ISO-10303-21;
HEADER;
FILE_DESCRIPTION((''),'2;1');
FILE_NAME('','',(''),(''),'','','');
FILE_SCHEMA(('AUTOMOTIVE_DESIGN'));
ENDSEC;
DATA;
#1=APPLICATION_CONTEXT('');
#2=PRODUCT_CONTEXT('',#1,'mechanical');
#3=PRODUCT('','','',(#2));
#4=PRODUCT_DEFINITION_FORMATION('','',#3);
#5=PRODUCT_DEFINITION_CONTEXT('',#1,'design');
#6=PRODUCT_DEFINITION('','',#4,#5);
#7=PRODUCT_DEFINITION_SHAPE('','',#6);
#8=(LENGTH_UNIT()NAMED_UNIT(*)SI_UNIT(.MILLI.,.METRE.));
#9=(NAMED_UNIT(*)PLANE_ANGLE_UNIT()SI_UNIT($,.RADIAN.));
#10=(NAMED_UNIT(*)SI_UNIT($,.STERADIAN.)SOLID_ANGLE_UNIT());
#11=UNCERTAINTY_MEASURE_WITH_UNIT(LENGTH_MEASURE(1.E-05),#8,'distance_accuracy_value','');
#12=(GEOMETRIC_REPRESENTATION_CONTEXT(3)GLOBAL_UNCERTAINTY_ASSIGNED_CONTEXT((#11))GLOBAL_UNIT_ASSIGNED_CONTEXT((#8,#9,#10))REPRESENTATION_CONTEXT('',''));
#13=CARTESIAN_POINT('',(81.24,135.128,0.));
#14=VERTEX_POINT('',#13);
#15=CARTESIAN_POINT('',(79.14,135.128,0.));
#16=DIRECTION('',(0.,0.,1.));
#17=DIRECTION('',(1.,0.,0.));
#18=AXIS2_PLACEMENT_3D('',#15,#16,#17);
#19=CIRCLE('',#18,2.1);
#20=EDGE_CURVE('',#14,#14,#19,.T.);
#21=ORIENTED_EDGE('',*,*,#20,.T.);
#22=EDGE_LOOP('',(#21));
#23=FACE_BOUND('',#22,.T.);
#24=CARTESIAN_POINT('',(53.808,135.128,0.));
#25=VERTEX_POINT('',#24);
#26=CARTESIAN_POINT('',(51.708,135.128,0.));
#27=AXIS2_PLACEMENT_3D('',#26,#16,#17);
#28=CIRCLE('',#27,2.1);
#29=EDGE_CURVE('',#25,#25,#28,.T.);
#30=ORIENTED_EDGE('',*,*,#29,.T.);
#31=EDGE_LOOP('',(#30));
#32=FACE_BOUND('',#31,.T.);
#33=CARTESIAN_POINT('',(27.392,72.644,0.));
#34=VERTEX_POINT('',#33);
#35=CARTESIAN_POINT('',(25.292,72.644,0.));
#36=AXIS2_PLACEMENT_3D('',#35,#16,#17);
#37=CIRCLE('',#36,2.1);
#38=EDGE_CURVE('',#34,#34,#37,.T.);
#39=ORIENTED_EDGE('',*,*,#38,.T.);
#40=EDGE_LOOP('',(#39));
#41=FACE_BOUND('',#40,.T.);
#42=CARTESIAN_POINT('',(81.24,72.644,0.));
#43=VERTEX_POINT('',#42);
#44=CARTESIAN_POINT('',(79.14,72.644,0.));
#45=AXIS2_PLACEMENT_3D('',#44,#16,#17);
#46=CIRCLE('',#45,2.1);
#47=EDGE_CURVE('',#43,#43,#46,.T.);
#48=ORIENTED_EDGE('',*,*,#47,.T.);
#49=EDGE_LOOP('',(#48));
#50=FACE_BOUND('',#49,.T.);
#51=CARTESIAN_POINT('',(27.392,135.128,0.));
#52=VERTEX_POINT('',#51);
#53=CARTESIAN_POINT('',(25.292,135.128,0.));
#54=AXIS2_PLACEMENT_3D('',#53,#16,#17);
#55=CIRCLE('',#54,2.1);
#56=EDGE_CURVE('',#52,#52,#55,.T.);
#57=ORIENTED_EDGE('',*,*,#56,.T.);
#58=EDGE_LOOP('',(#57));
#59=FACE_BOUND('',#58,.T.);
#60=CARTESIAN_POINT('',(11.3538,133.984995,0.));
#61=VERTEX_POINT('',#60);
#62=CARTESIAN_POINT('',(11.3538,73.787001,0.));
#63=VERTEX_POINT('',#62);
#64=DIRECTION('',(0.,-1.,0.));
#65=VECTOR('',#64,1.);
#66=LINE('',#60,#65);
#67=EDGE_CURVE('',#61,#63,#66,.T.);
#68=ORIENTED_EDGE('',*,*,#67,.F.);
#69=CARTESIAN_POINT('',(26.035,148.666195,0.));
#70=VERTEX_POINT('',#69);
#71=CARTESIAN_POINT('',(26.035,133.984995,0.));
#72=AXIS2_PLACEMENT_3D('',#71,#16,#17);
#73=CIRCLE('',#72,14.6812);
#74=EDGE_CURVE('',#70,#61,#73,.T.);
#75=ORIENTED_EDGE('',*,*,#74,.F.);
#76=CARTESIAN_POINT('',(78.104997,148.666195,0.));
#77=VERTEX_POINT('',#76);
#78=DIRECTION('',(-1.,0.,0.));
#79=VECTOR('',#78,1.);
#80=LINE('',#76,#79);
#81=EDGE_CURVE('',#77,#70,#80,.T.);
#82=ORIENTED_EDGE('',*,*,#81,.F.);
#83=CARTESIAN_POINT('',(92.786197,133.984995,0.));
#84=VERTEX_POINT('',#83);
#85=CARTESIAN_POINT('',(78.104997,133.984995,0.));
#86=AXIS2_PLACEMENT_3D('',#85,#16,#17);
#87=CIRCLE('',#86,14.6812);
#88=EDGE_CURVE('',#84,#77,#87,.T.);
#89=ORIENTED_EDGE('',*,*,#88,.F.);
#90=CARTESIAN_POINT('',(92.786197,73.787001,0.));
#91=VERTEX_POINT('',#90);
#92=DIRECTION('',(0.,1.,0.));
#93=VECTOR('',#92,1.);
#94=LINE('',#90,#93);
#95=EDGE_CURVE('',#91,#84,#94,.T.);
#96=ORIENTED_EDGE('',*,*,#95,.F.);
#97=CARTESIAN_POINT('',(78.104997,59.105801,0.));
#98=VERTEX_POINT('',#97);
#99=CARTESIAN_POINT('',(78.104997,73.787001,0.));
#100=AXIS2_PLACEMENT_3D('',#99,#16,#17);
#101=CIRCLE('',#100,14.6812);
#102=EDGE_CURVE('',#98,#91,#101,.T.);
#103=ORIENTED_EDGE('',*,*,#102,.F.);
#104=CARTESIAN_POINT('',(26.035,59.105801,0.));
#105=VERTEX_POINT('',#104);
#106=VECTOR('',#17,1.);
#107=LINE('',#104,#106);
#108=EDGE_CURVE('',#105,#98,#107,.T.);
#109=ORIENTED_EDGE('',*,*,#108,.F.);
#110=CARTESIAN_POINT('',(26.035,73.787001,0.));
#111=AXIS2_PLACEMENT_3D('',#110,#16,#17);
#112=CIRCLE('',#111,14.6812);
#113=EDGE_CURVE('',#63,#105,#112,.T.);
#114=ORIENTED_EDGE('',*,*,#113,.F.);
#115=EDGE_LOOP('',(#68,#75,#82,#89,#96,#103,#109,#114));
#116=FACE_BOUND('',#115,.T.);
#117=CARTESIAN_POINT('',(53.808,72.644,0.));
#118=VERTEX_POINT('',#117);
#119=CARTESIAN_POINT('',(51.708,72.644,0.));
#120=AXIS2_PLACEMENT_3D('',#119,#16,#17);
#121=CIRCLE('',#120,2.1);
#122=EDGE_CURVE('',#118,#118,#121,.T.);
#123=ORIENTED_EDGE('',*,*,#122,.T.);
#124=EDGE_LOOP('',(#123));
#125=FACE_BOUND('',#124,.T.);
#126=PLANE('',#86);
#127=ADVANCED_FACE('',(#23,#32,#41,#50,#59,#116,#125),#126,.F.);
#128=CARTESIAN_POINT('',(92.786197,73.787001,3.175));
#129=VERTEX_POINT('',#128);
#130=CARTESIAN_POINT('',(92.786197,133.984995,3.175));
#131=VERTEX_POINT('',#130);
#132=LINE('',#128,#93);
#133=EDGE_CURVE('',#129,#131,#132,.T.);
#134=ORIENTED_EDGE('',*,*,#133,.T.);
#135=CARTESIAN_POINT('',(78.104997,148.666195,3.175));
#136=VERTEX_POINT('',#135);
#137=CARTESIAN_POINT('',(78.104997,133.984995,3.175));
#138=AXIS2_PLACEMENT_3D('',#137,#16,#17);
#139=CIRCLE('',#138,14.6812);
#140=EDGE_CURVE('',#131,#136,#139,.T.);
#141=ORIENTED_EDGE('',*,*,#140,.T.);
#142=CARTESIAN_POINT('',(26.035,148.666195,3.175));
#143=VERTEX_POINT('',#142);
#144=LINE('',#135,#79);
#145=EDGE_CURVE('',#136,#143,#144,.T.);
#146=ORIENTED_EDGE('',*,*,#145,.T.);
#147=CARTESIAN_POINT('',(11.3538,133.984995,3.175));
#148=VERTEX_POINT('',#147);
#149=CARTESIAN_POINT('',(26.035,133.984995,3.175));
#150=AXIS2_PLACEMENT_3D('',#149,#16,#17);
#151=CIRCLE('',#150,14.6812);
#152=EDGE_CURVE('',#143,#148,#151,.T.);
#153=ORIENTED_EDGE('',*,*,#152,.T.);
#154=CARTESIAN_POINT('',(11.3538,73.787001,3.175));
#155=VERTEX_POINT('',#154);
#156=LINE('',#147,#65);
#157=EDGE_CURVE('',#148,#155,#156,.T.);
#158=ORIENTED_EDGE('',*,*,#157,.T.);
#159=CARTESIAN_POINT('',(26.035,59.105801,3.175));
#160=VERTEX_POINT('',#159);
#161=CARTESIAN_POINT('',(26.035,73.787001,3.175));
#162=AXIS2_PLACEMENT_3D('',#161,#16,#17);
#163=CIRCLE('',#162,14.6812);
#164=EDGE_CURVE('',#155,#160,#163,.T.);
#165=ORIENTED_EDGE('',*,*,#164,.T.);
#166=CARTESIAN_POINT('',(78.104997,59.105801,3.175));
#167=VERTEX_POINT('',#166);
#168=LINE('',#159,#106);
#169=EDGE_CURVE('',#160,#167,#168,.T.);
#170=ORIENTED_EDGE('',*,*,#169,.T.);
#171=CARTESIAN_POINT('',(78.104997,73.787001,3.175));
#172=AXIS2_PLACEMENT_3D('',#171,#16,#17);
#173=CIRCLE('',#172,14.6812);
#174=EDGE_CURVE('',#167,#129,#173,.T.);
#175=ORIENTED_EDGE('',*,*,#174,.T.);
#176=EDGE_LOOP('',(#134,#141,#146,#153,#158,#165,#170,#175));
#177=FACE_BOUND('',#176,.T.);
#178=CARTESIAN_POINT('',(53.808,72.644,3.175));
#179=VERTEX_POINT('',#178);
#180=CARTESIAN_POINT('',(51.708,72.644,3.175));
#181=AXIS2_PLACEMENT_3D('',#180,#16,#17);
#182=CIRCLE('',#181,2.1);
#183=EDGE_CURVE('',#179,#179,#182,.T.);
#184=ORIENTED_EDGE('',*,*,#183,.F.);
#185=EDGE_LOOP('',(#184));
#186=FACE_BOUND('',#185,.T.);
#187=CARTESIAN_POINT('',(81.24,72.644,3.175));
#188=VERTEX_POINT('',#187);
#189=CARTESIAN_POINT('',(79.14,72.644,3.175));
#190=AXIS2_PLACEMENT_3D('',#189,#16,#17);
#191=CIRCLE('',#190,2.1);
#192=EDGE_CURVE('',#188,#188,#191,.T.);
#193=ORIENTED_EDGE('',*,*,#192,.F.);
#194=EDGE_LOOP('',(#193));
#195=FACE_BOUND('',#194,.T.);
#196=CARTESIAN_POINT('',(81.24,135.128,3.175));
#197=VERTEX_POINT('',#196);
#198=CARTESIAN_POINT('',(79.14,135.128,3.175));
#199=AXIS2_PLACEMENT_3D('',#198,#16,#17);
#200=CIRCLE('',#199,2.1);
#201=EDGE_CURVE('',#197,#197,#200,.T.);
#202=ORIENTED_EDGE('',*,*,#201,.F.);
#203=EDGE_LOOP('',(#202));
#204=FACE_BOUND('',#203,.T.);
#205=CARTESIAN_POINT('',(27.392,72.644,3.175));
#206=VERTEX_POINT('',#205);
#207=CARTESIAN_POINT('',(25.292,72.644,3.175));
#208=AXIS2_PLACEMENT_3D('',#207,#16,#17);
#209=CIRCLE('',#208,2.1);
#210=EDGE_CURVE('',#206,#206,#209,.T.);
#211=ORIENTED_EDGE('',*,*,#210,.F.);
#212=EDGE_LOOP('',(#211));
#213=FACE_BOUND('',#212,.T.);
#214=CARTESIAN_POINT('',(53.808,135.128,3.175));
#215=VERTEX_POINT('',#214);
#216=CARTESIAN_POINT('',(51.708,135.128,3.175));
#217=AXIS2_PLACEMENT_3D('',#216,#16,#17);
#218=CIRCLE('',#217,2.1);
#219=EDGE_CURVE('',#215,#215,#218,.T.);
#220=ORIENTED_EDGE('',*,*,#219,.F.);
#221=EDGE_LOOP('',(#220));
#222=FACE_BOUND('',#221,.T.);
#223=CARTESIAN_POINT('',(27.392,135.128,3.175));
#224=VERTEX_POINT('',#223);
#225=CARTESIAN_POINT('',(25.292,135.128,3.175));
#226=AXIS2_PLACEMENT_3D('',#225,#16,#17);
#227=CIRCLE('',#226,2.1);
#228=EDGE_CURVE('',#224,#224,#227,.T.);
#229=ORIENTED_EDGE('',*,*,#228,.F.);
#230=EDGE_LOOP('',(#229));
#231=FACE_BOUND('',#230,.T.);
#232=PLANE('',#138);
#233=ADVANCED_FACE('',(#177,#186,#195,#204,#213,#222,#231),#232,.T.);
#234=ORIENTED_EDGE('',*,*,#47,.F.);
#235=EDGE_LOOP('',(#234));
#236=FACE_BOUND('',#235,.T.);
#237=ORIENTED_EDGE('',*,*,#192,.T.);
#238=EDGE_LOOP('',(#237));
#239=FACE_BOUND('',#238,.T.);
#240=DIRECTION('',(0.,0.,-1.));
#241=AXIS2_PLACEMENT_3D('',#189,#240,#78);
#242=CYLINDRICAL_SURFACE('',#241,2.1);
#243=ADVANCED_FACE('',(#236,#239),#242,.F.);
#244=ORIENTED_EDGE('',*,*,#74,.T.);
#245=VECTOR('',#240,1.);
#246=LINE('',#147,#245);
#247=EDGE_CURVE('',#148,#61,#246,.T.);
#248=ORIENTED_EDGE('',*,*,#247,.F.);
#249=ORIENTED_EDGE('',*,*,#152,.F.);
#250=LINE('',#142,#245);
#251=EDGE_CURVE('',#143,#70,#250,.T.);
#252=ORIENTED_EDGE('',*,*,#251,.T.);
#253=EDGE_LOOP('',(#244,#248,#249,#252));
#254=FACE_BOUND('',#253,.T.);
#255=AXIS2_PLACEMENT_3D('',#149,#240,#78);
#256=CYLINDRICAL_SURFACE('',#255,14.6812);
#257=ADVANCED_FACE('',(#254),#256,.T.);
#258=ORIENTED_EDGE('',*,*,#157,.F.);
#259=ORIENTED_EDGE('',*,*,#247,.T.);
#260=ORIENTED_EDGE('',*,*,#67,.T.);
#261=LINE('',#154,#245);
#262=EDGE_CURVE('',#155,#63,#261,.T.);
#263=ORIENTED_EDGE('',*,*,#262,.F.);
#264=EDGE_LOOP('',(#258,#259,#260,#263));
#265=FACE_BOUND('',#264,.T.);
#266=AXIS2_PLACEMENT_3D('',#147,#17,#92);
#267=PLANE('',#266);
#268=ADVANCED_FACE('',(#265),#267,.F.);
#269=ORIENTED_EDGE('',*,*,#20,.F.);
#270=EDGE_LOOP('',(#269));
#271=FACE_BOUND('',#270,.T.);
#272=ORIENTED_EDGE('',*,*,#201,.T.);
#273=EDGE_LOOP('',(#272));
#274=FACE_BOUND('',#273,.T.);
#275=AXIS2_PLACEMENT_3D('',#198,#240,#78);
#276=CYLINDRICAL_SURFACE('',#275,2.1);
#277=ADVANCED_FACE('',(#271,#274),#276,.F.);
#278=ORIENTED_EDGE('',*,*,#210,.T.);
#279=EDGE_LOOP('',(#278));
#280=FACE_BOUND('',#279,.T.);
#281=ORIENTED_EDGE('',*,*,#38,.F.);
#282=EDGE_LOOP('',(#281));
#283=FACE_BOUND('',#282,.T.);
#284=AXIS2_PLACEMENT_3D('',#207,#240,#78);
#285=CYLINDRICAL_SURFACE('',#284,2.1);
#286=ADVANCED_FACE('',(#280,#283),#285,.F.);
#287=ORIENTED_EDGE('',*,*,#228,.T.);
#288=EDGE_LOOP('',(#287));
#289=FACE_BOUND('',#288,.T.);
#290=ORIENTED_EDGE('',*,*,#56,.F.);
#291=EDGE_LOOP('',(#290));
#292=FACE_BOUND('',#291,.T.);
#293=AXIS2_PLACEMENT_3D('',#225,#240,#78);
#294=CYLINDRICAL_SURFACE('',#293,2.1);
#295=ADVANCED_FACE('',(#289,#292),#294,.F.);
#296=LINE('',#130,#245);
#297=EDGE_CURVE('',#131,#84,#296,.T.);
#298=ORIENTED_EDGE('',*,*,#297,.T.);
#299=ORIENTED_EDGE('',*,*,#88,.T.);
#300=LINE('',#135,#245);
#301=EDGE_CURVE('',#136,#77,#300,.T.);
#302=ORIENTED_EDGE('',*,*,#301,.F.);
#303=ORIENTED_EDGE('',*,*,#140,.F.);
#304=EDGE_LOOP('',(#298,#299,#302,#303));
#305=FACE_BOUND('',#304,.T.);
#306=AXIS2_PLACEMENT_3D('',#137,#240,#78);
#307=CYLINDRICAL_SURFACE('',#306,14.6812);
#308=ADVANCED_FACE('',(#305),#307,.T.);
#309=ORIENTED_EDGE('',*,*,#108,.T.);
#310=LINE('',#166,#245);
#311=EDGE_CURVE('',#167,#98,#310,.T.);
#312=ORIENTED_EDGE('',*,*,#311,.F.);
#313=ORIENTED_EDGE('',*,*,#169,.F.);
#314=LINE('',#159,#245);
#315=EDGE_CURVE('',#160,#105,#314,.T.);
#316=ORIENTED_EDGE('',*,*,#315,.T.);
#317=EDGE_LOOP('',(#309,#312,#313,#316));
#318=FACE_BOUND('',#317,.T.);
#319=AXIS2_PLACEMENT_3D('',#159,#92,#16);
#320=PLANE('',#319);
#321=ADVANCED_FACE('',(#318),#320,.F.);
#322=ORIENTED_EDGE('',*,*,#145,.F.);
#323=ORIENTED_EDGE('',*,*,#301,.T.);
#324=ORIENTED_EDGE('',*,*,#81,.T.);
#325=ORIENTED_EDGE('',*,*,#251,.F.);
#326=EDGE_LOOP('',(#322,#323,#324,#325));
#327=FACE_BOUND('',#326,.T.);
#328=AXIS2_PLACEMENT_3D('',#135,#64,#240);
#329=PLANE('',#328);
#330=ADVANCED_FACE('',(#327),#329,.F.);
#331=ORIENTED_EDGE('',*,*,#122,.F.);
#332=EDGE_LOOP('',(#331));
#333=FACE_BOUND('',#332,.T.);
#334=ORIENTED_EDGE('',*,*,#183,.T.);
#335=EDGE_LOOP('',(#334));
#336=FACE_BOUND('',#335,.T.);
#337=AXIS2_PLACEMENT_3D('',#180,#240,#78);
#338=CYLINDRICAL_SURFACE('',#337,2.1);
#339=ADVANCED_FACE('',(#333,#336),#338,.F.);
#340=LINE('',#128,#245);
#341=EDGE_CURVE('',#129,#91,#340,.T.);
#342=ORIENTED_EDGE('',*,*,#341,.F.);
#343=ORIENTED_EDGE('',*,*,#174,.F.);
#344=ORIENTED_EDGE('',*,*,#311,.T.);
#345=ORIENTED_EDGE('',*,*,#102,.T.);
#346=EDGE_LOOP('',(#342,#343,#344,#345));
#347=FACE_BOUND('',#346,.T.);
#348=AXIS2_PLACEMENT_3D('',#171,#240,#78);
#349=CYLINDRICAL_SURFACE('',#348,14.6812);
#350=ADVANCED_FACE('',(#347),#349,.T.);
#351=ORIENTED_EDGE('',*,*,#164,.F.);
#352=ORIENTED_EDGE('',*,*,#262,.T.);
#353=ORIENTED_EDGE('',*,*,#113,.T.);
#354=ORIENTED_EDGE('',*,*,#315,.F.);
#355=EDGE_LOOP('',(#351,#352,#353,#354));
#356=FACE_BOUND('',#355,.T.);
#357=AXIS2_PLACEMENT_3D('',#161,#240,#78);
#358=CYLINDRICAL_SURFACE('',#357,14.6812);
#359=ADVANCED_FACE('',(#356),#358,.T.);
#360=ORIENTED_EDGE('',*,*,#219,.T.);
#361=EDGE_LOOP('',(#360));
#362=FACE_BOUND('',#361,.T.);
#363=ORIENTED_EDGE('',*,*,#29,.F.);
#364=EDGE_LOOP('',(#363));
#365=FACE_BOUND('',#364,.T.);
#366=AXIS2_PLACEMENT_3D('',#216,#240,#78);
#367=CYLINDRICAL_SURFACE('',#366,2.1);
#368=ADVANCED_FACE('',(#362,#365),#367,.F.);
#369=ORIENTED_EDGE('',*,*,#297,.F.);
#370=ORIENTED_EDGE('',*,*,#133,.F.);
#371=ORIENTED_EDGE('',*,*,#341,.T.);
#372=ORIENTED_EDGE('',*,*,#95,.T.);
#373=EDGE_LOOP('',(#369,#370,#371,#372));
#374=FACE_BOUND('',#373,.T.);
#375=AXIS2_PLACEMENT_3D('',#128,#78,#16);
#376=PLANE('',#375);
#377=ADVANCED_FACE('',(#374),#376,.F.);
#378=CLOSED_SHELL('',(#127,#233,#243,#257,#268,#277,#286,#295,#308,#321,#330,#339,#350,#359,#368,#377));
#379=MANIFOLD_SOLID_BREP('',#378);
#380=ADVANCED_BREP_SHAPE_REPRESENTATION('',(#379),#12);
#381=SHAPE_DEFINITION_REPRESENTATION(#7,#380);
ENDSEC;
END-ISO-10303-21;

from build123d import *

# Parameters (mm, degrees)
SKETCH1_R           = 2.1
BOSS_EXTRUDE1_DEPTH = 3.175


with BuildPart() as part:
    # Sketch1 → Boss-Extrude1 (new body)
    with BuildSketch(Plane.XY):
        with BuildLine():
            Line((11.353799985, 133.984994751), (11.353799985, 73.787000793))
            ThreePointArc((11.353799985, 73.787000793), (15.653823909, 63.405824718), (26.034999985, 59.105800793))
            Line((26.034999985, 59.105800793), (78.104997498, 59.105800793))
            ThreePointArc((78.104997498, 59.105800793), (88.486173574, 63.405824718), (92.786197498, 73.787000793))
            Line((92.786197498, 73.787000793), (92.786197498, 133.984994751))
            ThreePointArc((92.786197498, 133.984994751), (88.486173574, 144.366170827), (78.104997498, 148.666194751))
            Line((78.104997498, 148.666194751), (26.034999985, 148.666194751))
            ThreePointArc((26.034999985, 148.666194751), (15.653823909, 144.366170827), (11.353799985, 133.984994751))
        make_face()
        with Locations((25.292, 135.128)):
            Circle(SKETCH1_R, mode=Mode.SUBTRACT)
        with Locations((51.708, 135.128)):
            Circle(SKETCH1_R, mode=Mode.SUBTRACT)
        with Locations((79.14, 135.128)):
            Circle(SKETCH1_R, mode=Mode.SUBTRACT)
        with Locations((79.14, 72.644)):
            Circle(SKETCH1_R, mode=Mode.SUBTRACT)
        with Locations((51.708, 72.644)):
            Circle(SKETCH1_R, mode=Mode.SUBTRACT)
        with Locations((25.292, 72.644)):
            Circle(SKETCH1_R, mode=Mode.SUBTRACT)
    extrude(amount=BOSS_EXTRUDE1_DEPTH)


solid = part.part
